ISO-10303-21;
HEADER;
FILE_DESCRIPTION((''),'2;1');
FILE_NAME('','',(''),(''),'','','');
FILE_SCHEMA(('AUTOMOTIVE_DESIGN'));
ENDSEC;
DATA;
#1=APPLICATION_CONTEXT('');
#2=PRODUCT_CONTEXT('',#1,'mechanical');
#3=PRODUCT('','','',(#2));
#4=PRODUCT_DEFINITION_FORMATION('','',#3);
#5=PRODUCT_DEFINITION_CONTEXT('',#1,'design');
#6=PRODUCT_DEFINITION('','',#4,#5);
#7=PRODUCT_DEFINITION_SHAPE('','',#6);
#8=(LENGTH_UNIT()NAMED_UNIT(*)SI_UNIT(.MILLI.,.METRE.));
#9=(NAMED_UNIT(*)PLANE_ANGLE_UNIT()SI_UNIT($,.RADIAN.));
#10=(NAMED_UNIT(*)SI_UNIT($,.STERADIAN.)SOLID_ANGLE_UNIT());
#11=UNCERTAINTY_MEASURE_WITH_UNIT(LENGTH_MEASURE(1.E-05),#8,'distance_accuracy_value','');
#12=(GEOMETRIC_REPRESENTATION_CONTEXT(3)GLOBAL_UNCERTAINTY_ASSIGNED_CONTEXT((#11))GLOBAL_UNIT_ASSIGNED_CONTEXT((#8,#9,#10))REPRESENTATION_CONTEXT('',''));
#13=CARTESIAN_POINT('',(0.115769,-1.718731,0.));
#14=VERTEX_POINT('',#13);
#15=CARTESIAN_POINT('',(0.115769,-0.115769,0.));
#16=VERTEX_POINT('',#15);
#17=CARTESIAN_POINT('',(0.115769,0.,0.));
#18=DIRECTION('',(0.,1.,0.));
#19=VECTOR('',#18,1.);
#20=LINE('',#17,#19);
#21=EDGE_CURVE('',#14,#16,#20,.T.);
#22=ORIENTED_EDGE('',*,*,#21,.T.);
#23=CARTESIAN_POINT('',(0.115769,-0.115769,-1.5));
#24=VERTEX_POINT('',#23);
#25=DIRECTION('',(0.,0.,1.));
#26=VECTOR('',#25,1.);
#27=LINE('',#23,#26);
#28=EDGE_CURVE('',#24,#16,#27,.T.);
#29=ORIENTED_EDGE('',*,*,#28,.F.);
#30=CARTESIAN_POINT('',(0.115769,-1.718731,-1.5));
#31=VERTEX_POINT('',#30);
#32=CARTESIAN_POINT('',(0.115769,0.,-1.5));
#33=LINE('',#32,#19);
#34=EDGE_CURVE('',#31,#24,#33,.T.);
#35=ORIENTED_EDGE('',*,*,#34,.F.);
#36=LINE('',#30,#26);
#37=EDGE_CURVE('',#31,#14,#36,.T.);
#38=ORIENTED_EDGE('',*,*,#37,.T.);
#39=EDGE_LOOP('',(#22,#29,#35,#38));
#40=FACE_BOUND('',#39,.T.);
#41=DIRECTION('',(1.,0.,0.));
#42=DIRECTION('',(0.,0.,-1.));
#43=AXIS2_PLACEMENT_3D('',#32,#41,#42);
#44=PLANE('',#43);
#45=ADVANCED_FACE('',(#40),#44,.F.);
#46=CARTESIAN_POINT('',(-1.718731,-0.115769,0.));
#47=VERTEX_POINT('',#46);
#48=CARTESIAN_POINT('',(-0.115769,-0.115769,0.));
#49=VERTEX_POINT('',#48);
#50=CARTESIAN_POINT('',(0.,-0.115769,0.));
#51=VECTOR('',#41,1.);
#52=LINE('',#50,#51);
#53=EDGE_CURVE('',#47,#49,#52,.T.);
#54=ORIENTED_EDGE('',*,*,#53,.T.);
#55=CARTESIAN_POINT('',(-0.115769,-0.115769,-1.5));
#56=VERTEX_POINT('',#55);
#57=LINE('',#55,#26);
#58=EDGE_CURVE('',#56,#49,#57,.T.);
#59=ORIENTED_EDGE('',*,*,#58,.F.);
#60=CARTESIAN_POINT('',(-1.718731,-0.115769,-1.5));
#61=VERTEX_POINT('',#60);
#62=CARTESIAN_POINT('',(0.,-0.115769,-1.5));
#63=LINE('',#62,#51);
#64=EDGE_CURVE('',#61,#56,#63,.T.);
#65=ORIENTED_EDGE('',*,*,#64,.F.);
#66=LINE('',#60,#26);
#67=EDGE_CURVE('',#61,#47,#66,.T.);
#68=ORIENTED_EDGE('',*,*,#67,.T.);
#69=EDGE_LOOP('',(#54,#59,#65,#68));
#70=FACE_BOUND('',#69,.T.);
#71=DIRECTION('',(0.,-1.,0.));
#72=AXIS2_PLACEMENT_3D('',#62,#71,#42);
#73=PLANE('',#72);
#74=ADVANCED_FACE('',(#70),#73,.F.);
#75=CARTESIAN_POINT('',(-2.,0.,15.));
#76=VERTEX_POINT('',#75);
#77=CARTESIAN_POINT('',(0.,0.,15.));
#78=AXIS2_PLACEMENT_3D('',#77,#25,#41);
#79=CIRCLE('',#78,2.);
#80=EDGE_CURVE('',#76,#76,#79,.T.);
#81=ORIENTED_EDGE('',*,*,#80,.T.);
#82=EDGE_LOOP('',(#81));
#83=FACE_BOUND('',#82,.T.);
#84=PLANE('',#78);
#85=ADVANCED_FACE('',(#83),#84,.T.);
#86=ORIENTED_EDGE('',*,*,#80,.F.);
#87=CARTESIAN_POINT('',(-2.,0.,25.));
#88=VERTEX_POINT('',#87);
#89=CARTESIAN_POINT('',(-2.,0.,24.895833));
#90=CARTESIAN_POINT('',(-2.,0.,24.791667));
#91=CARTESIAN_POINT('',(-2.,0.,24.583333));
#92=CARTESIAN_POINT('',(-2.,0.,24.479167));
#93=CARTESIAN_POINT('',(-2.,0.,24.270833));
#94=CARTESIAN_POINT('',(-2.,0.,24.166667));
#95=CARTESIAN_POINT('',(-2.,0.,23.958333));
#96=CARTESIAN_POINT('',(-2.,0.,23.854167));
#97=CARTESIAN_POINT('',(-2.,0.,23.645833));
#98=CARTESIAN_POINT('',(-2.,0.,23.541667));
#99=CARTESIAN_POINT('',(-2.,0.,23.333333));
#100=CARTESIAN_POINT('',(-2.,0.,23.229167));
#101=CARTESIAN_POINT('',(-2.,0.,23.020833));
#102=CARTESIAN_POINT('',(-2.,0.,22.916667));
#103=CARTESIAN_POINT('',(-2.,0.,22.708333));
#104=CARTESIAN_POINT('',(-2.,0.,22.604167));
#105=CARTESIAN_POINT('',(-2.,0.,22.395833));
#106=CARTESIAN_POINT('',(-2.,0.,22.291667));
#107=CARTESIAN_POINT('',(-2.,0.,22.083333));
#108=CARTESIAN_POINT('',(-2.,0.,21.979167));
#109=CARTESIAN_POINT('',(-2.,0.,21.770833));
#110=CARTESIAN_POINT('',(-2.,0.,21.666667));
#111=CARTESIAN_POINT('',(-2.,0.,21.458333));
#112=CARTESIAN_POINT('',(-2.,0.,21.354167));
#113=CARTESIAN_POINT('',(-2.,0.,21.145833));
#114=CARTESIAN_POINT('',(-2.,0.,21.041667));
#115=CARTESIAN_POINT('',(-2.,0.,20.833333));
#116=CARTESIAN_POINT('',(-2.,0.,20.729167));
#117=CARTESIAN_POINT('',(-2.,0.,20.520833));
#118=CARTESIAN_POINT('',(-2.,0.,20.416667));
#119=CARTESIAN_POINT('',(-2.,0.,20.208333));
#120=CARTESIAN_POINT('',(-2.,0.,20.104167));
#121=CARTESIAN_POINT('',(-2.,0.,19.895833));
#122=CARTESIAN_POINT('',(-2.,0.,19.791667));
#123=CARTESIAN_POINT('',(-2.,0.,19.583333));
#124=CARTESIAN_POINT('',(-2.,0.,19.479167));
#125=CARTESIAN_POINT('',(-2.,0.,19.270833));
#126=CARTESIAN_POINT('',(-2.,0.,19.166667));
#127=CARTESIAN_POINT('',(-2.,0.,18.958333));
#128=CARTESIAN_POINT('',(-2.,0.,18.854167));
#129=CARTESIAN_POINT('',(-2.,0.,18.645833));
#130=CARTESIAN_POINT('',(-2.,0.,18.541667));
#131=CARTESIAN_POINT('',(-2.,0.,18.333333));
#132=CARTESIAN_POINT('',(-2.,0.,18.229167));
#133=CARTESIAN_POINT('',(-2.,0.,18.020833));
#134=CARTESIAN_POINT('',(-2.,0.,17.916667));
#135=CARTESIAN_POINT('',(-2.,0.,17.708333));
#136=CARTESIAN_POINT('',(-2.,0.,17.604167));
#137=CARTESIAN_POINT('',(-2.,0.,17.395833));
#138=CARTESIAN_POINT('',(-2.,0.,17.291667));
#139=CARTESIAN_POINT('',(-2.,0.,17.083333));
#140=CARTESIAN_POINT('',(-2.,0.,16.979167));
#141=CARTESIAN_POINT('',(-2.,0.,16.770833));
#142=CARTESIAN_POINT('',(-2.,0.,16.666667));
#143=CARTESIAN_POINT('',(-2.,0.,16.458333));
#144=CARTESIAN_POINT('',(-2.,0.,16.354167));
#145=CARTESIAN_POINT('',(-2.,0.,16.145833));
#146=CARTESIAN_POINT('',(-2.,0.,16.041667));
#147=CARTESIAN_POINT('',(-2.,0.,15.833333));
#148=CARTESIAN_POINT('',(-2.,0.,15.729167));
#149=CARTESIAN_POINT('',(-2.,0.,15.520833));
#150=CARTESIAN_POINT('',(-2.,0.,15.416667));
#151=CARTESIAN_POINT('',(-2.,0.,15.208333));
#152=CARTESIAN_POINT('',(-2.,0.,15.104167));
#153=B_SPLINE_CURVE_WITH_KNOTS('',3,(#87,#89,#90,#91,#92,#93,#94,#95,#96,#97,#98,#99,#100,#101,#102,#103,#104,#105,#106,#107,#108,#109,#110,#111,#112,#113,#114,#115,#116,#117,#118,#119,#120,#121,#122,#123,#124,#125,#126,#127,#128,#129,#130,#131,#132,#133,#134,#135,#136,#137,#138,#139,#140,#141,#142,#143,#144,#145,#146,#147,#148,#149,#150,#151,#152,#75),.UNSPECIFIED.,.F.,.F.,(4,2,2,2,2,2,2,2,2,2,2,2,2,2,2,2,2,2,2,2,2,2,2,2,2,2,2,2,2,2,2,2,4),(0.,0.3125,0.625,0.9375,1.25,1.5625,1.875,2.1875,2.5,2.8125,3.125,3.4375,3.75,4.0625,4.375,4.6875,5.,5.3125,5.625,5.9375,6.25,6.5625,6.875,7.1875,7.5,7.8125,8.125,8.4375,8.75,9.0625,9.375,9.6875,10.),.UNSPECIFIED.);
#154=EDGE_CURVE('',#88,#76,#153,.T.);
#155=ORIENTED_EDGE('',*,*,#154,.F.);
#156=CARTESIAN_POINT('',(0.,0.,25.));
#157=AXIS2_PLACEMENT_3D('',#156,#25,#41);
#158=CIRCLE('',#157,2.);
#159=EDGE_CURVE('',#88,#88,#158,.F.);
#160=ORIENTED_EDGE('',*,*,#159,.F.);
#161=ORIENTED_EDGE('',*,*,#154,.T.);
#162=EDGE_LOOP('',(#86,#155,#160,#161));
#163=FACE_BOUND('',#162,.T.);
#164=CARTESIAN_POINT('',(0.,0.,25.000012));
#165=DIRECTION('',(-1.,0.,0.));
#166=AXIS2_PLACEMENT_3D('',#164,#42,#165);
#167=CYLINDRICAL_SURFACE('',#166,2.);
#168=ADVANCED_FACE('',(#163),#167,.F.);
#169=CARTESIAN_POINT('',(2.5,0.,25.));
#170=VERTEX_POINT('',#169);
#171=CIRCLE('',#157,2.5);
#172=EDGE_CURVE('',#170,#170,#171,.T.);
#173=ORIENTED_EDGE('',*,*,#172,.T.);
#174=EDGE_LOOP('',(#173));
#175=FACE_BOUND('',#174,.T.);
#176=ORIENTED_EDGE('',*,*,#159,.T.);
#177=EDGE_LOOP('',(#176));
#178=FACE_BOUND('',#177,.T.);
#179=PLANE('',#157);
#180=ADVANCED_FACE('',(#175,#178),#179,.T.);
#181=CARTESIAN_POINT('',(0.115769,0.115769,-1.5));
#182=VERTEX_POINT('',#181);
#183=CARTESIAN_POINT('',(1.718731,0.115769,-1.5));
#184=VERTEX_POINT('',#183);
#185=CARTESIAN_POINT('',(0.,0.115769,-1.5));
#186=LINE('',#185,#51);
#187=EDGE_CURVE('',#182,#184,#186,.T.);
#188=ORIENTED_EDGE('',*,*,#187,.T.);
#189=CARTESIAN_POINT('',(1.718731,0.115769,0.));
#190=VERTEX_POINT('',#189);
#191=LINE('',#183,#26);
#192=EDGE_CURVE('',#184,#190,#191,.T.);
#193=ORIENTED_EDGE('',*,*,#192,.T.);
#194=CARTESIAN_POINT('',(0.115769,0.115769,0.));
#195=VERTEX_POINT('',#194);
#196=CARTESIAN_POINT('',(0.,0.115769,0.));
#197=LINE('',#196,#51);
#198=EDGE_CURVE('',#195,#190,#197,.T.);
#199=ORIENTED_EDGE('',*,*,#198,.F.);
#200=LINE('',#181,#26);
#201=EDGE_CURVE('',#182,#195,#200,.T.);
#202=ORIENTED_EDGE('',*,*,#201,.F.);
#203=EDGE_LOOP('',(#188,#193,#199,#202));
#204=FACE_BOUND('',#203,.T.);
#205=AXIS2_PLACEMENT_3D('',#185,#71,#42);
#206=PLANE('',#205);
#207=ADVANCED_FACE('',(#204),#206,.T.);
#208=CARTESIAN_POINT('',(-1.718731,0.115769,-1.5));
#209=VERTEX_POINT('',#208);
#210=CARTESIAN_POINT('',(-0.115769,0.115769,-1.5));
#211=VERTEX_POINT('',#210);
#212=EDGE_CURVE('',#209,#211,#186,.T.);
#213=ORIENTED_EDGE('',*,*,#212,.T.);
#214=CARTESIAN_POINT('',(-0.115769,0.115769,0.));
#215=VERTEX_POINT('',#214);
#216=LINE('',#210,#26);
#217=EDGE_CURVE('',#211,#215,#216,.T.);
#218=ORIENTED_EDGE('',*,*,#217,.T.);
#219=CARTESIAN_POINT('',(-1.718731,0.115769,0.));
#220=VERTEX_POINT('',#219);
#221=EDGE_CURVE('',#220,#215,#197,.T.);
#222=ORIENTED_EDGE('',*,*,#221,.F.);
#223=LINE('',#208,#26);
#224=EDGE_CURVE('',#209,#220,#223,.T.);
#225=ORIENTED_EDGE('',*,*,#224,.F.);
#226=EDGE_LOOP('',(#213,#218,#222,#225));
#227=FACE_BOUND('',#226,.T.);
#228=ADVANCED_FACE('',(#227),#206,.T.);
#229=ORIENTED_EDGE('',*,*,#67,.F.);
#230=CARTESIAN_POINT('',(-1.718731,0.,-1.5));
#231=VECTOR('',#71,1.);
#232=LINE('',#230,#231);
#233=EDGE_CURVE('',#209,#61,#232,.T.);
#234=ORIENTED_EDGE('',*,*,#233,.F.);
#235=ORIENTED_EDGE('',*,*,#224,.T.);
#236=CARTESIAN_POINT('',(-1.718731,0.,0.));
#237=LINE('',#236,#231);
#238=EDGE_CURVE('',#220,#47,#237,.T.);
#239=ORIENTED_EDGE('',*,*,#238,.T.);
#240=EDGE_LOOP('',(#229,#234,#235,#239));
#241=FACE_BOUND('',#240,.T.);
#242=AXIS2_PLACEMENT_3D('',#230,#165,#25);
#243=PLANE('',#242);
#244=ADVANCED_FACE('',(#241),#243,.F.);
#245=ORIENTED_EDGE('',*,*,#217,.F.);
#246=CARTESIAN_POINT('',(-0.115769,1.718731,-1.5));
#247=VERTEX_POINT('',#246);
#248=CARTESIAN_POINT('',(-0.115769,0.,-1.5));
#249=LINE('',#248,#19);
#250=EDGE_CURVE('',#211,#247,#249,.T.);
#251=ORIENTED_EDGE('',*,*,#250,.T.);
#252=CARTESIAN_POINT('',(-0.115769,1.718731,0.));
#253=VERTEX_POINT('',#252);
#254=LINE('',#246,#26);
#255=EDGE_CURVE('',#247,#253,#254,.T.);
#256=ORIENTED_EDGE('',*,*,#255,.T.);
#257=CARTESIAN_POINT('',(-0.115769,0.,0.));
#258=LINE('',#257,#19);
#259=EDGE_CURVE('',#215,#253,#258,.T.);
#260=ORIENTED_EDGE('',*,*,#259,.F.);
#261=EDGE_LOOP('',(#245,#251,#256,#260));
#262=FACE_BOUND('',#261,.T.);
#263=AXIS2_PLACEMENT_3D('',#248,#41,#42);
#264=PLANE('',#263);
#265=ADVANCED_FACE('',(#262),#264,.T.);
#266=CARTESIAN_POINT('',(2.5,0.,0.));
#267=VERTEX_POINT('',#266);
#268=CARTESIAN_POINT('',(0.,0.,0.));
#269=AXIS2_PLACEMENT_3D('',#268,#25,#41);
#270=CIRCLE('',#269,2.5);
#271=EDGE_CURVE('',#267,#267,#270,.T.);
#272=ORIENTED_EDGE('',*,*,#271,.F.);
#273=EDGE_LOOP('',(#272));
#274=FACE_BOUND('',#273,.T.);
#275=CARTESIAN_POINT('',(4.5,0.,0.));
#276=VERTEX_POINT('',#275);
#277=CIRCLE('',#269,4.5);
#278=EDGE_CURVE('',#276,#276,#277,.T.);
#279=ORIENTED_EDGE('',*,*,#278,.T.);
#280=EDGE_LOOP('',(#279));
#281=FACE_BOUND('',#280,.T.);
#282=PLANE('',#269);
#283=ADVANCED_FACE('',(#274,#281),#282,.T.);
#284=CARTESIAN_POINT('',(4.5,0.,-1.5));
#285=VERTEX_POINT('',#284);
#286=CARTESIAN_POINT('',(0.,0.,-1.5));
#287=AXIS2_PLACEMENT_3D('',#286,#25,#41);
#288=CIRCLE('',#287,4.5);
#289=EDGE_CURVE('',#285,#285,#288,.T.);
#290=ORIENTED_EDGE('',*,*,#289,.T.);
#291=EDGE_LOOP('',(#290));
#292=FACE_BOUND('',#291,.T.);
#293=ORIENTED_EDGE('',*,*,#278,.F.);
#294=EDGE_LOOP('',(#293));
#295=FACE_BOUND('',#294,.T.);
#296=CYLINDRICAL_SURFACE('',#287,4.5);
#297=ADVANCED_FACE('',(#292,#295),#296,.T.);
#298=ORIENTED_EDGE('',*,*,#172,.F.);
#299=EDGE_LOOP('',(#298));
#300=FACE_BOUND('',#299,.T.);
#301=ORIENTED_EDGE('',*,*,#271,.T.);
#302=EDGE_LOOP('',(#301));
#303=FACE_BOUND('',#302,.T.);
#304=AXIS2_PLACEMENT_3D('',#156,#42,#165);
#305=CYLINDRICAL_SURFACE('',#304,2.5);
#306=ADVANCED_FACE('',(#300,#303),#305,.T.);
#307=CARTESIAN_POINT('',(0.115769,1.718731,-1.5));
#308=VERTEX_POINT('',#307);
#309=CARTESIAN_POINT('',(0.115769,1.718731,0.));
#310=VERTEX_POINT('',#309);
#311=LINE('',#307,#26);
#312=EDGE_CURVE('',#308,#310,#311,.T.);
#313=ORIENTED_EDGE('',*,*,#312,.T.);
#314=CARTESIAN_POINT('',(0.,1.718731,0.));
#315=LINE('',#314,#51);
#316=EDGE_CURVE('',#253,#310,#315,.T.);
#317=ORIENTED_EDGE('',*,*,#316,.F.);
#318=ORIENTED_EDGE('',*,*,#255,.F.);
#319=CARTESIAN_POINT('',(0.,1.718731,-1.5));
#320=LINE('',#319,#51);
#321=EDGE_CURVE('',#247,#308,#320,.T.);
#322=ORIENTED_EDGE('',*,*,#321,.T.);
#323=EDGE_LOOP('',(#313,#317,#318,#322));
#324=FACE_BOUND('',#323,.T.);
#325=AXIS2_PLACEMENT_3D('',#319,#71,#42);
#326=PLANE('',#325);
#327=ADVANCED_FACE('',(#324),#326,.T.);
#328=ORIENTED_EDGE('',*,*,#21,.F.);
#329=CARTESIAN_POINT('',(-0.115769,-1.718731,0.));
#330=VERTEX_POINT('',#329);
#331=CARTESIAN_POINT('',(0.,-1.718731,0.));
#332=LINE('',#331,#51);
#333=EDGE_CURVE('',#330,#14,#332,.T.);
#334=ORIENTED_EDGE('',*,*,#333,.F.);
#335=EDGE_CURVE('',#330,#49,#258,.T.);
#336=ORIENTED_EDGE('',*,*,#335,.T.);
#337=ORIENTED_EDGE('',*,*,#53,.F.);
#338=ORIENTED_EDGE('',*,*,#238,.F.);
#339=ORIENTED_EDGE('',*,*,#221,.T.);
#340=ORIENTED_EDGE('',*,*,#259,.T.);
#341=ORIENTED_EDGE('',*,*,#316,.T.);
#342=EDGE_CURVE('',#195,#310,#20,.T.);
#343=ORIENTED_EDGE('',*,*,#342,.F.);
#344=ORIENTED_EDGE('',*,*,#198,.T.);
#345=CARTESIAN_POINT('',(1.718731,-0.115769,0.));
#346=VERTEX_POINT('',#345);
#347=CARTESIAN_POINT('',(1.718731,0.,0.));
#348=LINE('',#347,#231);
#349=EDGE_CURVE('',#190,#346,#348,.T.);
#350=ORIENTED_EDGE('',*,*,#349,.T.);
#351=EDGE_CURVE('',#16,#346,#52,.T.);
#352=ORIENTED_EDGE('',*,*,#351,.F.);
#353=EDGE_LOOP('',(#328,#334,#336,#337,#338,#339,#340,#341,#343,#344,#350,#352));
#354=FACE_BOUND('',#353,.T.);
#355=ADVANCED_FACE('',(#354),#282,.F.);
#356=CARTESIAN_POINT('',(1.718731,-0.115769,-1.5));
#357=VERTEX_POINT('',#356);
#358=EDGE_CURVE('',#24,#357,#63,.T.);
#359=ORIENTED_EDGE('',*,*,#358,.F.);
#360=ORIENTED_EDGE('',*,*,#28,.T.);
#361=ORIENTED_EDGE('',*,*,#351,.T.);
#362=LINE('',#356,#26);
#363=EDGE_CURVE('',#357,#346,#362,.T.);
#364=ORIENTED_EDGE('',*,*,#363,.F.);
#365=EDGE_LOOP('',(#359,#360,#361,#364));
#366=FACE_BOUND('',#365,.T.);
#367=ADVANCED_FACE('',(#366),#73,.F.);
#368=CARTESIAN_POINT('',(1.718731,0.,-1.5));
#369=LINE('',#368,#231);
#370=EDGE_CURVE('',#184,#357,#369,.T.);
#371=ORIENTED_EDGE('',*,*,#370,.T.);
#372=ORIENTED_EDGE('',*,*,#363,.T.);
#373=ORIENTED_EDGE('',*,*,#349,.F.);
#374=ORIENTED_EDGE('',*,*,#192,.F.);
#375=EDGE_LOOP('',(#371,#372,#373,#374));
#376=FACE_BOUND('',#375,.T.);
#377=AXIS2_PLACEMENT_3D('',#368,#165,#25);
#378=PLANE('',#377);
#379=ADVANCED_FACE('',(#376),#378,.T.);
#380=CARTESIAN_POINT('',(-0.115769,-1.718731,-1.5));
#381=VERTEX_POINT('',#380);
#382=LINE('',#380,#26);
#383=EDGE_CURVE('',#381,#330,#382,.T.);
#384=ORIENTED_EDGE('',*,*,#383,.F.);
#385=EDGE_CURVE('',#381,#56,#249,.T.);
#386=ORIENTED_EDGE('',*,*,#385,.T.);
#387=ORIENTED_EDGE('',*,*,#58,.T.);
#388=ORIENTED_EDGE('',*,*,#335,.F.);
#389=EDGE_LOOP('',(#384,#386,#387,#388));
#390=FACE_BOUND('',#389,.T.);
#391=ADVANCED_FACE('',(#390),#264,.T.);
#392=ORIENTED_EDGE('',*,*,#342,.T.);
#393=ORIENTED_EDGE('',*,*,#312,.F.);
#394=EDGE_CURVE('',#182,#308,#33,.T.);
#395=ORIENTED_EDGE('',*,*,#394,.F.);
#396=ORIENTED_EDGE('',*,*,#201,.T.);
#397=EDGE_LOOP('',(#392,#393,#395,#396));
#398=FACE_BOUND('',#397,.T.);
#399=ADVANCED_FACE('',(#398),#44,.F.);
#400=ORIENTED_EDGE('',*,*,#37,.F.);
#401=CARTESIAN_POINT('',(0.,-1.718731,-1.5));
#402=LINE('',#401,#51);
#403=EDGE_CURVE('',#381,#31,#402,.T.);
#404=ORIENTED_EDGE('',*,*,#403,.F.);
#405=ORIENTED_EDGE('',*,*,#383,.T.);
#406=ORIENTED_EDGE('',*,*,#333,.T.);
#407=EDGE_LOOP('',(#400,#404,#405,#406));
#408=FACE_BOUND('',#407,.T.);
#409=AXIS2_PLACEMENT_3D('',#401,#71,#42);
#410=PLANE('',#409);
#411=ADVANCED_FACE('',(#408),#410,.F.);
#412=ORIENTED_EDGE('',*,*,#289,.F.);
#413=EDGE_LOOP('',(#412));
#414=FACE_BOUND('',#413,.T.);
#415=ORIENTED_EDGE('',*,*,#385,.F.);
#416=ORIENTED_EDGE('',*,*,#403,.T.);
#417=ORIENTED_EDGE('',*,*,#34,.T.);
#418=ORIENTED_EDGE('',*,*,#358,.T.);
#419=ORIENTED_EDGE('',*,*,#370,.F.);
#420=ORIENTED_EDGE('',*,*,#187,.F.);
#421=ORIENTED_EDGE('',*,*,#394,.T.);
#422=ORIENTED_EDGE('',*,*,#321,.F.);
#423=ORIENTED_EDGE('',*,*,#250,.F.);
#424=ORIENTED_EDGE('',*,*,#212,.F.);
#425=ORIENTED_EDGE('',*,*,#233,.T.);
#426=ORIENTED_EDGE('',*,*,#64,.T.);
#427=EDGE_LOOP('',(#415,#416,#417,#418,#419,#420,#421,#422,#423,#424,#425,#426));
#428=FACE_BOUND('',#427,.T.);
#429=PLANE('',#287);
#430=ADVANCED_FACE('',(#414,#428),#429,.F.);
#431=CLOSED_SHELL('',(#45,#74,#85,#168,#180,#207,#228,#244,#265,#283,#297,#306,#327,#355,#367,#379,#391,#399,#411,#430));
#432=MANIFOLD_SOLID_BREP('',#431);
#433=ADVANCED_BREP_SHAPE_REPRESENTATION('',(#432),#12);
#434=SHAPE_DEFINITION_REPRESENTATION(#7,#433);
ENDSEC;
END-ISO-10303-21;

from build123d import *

# Parameters (mm, degrees)
ESQUISSE1_R                  = 2.5
BOSS_EXTRU_1_DEPTH           = 25
ESQUISSE2_R                  = 4.5
BOSS_EXTRU_2_DEPTH           = 1.5
ENL_V_MAT_EXTRU_1_DEPTH      = 28.25344015
ENL_V_MAT_EXTRU_1_DEPTH_BACK = 10
ESQUISSE3_R                  = 2


with BuildPart() as part:
    # Esquisse1 → Boss.-Extru.1 (new body)
    with BuildSketch(Plane.XY):
        Circle(ESQUISSE1_R)
    extrude(amount=BOSS_EXTRU_1_DEPTH)

    # Esquisse2 → Boss.-Extru.2 (add)
    with BuildSketch(Plane.XY):
        Circle(ESQUISSE2_R)
        Polygon((-1.718731116, -0.115769453), (-1.718731116, 0.115769453), (-0.115769453, 0.115769453), (-0.115769453, 1.718731116), (0.115769453, 1.718731116), (0.115769453, 0.115769453), (1.718731116, 0.115769453), (1.718731116, -0.115769453), (0.115769453, -0.115769453), (0.115769453, -1.718731116), (-0.115769453, -1.718731116), (-0.115769453, -0.115769453), align=None, mode=Mode.SUBTRACT)
    extrude(amount=-BOSS_EXTRU_2_DEPTH)

    # Esquisse3 → Enlèv. mat.-Extru.1 (cut, two sides: drawn at the far end of the back side and taken through both)
    with BuildSketch(Plane.XY.offset(25).offset(-ENL_V_MAT_EXTRU_1_DEPTH_BACK)):
        with Locations(Location((0, 0, 0), (0, 0, 180))):
            Circle(ESQUISSE3_R)
    extrude(amount=ENL_V_MAT_EXTRU_1_DEPTH + ENL_V_MAT_EXTRU_1_DEPTH_BACK, mode=Mode.SUBTRACT)


solid = part.part
